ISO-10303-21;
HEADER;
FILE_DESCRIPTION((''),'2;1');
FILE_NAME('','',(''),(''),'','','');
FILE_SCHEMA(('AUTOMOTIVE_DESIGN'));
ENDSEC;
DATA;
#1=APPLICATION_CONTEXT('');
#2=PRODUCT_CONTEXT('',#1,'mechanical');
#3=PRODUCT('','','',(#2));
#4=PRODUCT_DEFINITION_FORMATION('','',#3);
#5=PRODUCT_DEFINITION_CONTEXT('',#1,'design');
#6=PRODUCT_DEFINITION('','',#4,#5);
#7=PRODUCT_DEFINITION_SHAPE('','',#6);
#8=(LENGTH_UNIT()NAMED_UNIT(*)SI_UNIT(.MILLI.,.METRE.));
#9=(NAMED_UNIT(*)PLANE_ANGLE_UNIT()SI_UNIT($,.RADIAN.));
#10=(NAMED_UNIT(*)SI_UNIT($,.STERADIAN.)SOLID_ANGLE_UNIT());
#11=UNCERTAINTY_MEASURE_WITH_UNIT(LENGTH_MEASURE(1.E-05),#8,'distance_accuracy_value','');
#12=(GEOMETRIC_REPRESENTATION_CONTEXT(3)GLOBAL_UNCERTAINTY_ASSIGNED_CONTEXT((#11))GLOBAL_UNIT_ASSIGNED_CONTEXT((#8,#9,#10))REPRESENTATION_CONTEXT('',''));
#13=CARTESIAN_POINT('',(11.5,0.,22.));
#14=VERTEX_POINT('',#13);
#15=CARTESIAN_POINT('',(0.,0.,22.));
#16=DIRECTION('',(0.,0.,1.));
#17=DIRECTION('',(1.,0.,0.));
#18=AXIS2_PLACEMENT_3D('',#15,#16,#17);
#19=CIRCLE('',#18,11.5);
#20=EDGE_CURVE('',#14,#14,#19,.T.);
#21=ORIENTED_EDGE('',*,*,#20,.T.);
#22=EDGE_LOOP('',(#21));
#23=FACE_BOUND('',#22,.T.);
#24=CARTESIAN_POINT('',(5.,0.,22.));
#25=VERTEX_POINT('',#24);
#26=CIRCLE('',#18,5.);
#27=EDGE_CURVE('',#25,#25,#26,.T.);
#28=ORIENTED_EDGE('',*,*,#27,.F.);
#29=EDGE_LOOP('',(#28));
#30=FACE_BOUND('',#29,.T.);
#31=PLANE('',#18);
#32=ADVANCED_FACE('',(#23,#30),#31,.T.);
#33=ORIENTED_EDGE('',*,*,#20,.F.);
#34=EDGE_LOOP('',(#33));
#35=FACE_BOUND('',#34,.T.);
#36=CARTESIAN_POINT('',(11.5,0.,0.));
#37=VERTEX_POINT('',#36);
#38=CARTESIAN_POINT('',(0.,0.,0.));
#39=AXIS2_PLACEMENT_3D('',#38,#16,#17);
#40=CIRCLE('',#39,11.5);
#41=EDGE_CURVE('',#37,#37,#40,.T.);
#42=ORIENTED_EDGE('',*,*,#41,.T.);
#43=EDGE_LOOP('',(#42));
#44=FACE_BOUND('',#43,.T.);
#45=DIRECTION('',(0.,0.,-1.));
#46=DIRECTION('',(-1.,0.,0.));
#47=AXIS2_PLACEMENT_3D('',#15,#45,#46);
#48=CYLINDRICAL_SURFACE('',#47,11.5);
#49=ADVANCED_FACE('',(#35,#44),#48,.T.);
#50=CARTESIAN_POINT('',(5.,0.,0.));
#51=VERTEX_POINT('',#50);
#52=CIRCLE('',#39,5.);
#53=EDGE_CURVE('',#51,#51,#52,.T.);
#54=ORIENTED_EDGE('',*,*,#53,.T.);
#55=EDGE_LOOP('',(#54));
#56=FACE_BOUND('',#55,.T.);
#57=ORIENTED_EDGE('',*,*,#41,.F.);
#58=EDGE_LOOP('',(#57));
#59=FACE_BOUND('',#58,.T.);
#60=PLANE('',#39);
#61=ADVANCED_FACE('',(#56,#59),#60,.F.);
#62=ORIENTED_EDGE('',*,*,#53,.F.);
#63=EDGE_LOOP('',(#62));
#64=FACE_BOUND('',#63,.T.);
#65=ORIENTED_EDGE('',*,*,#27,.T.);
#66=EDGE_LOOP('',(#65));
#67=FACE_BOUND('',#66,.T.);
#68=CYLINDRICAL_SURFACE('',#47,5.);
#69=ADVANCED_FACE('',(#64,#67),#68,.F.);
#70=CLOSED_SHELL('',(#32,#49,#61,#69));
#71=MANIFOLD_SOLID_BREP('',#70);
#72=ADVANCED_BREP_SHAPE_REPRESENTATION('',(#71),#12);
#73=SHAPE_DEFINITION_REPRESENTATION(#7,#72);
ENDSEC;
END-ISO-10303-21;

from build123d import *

# Parameters (mm, degrees)
ESQUISSE1_R        = 11.5
ESQUISSE1_R_2      = 5
BOSS_EXTRU_1_DEPTH = 22


with BuildPart() as part:
    # Esquisse1 → Boss.-Extru.1 (new body)
    with BuildSketch(Plane.XY):
        Circle(ESQUISSE1_R)
        Circle(ESQUISSE1_R_2, mode=Mode.SUBTRACT)
    extrude(amount=BOSS_EXTRU_1_DEPTH)


solid = part.part
